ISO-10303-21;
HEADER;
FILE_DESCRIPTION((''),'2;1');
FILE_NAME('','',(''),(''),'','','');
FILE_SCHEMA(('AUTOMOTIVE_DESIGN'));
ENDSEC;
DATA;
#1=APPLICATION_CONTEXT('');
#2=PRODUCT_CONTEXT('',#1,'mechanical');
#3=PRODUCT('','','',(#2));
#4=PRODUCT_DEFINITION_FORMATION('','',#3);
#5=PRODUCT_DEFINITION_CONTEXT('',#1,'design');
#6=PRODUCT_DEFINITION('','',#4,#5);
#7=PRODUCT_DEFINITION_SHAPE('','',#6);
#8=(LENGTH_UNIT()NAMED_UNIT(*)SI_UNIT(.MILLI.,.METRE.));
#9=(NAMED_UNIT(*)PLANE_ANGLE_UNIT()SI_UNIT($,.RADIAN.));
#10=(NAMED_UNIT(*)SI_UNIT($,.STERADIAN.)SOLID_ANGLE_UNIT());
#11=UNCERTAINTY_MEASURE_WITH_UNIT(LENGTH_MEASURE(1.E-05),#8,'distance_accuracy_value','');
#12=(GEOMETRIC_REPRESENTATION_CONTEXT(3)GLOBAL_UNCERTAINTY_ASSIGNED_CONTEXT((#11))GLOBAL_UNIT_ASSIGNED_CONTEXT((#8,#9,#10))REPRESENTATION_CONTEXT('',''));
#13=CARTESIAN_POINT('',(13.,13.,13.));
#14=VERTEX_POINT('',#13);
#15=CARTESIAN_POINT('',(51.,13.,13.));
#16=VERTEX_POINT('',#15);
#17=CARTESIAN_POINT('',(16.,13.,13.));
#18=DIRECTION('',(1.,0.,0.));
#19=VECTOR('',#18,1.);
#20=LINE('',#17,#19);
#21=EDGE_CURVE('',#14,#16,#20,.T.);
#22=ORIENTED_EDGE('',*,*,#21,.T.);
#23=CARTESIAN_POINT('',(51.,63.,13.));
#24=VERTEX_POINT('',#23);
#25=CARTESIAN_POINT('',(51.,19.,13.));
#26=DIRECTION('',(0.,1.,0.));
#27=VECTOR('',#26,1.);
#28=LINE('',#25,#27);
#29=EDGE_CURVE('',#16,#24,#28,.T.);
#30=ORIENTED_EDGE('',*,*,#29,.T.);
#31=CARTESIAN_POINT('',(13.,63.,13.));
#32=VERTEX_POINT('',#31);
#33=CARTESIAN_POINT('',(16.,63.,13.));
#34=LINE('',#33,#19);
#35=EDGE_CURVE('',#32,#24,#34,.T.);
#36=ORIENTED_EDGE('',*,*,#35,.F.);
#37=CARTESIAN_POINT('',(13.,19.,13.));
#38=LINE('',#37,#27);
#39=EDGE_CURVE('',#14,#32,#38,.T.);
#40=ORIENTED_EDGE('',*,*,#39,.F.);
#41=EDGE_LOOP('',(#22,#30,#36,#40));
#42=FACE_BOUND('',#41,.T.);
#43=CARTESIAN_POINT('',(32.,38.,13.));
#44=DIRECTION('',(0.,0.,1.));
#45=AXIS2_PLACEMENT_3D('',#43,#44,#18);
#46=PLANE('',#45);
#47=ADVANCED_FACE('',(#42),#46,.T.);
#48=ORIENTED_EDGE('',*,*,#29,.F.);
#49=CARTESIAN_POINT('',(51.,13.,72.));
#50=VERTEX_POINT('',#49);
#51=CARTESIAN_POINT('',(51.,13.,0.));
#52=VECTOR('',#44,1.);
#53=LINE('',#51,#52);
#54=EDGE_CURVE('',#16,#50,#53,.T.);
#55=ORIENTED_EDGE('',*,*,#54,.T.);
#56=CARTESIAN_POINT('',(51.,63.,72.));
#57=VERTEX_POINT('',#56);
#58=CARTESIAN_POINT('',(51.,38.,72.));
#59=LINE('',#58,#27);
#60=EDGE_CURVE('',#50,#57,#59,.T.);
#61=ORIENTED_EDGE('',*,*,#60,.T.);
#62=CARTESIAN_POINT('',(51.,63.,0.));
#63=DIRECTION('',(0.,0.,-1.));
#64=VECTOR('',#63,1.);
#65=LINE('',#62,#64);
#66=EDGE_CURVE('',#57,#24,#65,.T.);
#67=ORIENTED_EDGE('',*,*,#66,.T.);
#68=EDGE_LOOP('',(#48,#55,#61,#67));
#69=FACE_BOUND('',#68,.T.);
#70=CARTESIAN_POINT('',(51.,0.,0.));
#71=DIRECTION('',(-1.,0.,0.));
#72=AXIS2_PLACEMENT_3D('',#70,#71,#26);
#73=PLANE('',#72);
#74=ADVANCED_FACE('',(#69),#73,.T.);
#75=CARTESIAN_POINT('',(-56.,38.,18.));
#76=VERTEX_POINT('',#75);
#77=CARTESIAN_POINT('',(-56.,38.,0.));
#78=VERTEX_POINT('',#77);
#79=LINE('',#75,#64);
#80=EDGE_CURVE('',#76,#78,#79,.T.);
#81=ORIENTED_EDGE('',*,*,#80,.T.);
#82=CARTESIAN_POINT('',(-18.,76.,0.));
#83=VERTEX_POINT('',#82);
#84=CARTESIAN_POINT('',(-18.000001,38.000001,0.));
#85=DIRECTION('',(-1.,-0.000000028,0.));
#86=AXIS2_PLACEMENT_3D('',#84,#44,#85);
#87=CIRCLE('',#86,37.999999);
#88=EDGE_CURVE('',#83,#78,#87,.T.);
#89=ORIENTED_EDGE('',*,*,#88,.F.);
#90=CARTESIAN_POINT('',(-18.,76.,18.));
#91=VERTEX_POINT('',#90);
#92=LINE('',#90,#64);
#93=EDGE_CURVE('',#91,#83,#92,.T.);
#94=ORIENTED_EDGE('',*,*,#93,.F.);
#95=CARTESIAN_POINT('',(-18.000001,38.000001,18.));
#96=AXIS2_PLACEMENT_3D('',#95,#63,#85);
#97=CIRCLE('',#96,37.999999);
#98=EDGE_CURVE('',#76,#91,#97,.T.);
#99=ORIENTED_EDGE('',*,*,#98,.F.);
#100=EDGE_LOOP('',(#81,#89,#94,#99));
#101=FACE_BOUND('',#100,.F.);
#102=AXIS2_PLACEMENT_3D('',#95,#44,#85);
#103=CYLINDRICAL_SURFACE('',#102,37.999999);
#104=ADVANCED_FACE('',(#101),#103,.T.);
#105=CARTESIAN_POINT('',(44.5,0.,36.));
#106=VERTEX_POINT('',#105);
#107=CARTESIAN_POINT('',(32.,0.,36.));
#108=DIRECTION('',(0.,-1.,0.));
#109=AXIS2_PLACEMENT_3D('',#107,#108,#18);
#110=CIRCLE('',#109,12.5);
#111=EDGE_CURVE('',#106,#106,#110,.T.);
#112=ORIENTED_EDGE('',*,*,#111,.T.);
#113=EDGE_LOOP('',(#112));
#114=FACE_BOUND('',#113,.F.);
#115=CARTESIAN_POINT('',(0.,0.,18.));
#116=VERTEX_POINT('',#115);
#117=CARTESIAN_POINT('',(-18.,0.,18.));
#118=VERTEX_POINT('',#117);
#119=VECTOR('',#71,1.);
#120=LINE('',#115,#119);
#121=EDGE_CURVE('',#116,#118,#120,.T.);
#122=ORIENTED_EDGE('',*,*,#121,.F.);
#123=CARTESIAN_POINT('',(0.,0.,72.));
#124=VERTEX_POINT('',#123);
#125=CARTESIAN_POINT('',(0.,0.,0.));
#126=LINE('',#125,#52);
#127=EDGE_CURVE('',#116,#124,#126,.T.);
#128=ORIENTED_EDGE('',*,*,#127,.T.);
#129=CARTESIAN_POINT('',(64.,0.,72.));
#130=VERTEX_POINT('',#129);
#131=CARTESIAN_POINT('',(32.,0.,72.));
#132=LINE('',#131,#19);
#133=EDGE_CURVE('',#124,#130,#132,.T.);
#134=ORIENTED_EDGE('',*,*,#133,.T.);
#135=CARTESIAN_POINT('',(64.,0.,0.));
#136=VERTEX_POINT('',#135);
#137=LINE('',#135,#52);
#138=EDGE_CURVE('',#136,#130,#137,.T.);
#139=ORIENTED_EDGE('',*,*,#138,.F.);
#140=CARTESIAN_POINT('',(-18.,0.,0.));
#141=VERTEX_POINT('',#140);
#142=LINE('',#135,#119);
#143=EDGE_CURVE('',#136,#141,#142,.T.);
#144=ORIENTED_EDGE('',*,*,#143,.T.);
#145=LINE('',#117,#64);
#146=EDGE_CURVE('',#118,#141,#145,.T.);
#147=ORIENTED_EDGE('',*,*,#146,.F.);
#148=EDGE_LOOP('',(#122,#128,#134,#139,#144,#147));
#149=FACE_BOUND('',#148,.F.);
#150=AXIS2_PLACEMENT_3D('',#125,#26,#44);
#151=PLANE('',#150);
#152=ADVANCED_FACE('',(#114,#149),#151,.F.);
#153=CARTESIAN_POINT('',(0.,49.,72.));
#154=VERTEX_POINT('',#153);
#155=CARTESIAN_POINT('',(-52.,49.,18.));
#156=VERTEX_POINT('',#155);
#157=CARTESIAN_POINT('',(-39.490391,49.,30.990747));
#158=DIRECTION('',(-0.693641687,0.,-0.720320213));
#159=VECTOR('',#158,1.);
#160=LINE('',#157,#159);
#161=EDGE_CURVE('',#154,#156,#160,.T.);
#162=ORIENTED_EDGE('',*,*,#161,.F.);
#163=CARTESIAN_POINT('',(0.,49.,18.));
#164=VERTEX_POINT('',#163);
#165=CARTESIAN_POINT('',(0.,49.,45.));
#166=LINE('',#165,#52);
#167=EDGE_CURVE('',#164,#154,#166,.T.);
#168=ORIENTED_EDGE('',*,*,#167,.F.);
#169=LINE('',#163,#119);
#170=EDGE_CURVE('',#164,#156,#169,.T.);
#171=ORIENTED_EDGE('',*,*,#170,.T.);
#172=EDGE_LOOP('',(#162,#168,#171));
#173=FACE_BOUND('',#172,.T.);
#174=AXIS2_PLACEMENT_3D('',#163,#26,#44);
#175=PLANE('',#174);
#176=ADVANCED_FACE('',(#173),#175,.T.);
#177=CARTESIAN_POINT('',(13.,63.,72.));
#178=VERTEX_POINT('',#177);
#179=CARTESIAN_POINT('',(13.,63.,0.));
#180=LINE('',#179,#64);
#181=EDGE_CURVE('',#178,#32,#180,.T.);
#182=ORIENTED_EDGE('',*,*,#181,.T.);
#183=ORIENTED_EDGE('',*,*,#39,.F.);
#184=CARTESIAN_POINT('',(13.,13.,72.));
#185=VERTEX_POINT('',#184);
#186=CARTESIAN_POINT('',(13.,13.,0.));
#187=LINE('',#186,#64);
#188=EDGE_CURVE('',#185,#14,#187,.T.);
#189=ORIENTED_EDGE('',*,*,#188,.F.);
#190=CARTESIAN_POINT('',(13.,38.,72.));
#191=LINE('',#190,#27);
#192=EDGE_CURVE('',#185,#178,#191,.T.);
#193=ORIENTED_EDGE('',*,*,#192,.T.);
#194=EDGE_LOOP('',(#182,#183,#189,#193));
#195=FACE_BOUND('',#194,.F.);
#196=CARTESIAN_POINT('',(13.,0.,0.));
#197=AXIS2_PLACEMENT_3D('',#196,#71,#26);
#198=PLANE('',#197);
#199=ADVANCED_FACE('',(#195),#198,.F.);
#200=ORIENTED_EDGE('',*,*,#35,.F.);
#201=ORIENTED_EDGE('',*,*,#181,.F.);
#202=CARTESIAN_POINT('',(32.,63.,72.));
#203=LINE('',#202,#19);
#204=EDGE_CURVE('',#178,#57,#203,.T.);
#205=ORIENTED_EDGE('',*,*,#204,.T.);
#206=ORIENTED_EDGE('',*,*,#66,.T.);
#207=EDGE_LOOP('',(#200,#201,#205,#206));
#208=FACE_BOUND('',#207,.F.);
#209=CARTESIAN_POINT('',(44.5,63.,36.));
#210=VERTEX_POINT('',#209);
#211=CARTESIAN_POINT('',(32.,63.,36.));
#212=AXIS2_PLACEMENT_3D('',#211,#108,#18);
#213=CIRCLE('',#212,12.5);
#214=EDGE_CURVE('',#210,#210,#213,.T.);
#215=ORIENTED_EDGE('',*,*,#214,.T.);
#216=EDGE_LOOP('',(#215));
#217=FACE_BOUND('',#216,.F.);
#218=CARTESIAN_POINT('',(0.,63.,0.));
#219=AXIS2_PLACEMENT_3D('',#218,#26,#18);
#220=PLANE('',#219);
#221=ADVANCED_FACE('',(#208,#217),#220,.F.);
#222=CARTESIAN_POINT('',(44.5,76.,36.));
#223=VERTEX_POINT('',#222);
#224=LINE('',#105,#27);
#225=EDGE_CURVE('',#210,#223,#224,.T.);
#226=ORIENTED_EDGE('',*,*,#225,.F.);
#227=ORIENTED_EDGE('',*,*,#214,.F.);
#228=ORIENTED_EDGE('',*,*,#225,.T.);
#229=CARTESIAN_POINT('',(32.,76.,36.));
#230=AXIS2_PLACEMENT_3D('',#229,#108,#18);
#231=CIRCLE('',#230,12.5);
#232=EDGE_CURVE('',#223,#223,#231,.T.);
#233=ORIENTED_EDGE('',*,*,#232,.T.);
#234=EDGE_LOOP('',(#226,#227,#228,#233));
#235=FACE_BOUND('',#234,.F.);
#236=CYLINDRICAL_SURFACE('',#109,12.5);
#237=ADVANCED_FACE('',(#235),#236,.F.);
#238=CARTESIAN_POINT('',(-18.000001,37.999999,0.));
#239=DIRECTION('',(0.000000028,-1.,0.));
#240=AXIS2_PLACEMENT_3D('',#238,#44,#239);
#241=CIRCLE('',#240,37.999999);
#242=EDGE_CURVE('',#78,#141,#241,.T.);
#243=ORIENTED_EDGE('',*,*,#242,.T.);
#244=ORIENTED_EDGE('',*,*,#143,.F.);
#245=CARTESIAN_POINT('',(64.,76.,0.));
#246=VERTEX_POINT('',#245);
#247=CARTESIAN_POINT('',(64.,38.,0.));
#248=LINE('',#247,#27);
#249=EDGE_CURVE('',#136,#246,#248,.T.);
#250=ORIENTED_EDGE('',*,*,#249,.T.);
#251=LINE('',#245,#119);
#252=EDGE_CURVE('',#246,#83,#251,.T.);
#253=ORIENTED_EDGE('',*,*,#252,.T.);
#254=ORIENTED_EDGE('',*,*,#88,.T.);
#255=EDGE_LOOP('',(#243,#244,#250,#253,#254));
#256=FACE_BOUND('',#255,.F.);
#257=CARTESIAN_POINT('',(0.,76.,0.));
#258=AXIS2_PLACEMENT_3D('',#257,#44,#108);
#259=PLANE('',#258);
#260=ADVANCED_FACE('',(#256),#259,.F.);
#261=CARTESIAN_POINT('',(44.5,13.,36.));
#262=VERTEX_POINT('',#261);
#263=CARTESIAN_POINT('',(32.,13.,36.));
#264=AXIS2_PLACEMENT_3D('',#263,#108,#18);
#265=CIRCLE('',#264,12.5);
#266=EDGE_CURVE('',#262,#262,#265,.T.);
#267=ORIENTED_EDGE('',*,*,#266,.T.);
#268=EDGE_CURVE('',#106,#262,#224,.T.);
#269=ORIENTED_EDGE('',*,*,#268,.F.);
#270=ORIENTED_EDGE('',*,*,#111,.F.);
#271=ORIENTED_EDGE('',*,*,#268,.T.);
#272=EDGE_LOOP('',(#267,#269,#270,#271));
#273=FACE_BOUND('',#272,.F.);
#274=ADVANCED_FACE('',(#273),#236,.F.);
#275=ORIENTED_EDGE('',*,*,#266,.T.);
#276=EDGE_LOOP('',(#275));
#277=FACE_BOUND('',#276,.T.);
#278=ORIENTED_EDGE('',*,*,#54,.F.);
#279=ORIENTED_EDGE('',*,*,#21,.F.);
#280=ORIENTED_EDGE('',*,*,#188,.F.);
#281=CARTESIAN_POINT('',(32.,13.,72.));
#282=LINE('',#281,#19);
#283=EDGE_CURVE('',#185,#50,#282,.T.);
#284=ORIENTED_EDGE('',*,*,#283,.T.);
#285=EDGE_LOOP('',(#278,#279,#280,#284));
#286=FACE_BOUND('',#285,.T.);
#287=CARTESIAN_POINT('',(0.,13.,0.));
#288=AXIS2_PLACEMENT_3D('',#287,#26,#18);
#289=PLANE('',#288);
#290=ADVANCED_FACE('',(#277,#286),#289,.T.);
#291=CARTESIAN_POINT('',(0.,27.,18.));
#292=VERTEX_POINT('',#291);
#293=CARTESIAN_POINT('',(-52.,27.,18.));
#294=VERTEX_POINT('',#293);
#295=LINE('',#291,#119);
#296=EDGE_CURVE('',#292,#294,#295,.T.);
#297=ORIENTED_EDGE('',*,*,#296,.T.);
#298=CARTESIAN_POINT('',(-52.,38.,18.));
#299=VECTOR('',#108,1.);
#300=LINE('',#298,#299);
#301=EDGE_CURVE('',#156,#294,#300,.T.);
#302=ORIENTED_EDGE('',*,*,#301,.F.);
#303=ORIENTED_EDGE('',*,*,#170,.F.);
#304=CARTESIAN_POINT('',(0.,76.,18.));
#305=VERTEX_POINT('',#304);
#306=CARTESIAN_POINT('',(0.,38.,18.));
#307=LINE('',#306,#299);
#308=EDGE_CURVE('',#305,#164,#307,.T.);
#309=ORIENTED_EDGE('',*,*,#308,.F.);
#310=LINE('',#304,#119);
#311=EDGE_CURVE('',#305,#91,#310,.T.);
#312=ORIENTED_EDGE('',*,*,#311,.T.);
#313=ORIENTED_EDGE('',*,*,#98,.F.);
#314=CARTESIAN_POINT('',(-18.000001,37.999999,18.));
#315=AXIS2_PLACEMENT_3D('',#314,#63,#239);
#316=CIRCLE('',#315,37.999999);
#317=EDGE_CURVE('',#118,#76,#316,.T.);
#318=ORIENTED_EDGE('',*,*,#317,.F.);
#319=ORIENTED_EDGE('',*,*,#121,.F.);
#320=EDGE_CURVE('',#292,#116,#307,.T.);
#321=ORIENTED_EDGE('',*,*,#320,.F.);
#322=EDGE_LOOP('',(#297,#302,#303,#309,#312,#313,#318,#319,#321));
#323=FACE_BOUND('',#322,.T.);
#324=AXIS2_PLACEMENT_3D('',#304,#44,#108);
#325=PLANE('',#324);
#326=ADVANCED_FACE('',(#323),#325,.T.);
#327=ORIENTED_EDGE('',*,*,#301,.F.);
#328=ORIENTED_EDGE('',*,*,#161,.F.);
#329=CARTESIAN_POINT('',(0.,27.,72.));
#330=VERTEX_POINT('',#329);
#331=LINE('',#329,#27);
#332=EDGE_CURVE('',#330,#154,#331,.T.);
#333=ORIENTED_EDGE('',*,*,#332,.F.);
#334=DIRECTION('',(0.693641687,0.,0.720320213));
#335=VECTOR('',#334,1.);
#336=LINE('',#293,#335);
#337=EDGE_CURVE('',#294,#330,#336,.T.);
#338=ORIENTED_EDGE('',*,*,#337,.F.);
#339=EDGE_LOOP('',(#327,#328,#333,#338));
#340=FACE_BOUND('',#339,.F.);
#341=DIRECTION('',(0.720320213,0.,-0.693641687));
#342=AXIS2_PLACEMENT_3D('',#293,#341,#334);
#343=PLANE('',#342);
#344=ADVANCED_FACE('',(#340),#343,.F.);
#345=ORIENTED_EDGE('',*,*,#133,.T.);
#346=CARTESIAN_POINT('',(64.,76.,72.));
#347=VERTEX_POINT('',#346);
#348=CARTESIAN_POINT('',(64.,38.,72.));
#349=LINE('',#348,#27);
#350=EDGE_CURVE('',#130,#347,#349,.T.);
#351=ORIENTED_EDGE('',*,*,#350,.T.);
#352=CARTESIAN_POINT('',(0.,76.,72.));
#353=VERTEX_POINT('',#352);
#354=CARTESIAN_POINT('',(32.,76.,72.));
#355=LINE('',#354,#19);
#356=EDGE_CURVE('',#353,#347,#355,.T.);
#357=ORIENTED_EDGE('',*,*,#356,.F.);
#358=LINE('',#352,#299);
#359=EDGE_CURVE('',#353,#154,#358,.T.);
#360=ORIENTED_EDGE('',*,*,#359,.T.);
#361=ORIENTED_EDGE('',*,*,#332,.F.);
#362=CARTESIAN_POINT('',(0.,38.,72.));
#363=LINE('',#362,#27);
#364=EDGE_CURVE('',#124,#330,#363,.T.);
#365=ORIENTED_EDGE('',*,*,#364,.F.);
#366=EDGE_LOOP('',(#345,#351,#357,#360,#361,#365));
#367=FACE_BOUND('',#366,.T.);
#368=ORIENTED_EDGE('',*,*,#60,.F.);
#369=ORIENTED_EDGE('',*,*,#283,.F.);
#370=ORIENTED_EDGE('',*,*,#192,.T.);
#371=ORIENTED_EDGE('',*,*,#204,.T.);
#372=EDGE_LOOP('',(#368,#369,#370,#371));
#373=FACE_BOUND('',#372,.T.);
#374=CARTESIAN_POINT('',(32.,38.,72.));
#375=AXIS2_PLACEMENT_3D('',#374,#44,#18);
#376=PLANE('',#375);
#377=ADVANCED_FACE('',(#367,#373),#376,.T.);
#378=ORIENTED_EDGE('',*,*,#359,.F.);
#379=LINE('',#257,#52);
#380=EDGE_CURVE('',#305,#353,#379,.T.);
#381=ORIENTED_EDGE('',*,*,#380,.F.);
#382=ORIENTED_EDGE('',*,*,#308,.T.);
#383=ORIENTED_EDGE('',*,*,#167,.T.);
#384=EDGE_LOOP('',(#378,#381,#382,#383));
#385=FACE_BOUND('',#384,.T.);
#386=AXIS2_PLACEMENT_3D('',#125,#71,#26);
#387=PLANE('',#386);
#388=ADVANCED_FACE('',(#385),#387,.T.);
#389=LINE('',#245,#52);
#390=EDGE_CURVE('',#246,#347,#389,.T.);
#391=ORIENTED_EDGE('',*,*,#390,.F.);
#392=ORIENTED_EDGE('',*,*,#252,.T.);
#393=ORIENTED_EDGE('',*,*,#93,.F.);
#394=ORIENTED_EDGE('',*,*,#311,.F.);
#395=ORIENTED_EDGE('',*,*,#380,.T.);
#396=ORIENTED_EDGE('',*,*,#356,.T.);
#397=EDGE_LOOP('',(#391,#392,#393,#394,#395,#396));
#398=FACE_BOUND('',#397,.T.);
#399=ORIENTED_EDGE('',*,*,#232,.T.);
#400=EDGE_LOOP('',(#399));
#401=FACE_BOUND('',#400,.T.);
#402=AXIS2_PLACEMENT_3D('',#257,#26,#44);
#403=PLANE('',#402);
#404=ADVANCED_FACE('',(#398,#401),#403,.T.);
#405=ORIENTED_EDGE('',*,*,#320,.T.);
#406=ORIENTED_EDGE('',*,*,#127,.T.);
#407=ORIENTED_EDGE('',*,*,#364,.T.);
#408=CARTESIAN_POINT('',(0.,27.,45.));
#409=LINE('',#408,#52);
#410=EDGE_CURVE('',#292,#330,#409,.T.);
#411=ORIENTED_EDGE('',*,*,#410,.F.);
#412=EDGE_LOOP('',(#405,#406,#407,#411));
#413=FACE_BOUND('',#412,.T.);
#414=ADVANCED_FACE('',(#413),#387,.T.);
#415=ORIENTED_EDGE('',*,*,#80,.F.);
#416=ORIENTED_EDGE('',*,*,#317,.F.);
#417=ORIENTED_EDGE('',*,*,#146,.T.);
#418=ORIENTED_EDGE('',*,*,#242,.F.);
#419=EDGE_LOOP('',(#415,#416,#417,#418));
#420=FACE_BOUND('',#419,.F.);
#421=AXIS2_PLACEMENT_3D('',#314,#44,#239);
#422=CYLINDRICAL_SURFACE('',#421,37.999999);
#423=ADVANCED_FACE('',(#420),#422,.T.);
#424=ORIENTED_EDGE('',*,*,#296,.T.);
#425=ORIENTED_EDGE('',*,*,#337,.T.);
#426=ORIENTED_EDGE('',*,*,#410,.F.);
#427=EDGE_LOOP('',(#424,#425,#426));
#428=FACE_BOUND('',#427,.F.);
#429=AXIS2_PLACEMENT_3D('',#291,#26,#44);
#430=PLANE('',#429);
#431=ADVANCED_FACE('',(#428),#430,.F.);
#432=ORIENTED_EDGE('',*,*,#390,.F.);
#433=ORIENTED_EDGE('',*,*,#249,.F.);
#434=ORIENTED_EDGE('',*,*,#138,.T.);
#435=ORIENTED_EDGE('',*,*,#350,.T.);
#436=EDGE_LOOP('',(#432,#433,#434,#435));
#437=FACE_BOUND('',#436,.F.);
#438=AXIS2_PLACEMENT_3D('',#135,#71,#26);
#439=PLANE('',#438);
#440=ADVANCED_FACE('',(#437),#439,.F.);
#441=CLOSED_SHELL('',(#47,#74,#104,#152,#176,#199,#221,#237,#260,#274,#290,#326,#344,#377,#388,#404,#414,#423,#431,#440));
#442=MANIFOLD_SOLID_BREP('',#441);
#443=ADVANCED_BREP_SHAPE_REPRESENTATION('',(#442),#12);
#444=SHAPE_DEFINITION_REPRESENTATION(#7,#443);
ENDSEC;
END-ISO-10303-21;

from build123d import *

# Parameters (mm, degrees)
F0_W      = 64
F0_H      = 76
F1_DEPTH  = 72
F2_T      = -13
F3_R      = 12.5
F4_DEPTH  = 100
F5_W      = 76
F5_H      = 18
F6_DEPTH  = 56
F8_DEPTH  = 25
F9_W      = 22
F9_H      = 54
F10_DEPTH = 52
F12_DEPTH = 25


with BuildPart() as f1:
    # F0 (on Top) → F1 (new body)
    with BuildSketch(Plane.XY):
        with Locations((32, 38)):
            Rectangle(F0_W, F0_H)
    extrude(amount=F1_DEPTH)

    # F2
    f2_openings = [f1.faces().sort_by_distance(p)[0] for p in [
        (32, 38, 72),
    ]]
    offset(amount=F2_T, openings=f2_openings)

    # F3 (on face) → F4 (cut)
    with BuildSketch(Plane.XZ):
        with Locations((32, 36)):
            Circle(F3_R)
    extrude(amount=-F4_DEPTH, mode=Mode.SUBTRACT)

    # F5 (on face) → F6 (join)
    with BuildSketch(Plane(origin=(0, 0, 0), x_dir=(0, -1, 0), z_dir=(-1, 0, 0))):
        with Locations((-38, 9)):
            Rectangle(F5_W, F5_H)
    extrude(amount=F6_DEPTH)

    # F7 (on face) → F8 (cut)
    with BuildSketch(Plane.XY.offset(18)):
        with BuildLine():
            ThreePointArc((-56, 38), (-44.870058, 64.870058), (-18, 76))
            Line((-18, 76), (-56, 76))
            Line((-56, 76), (-56, 38))
        make_face()
        with BuildLine():
            ThreePointArc((-18, 0), (-44.870058, 11.129942), (-56, 38))
            Line((-56, 38), (-56, 0))
            Line((-56, 0), (-18, 0))
        make_face()
    extrude(amount=-F8_DEPTH, mode=Mode.SUBTRACT)

    # F9 (on face) → F10 (join)
    with BuildSketch(Plane(origin=(0, 0, 0), x_dir=(0, -1, 0), z_dir=(-1, 0, 0))):
        with Locations((-38, 45)):
            Rectangle(F9_W, F9_H)
    extrude(amount=F10_DEPTH)

    # F11 (on face) → F12 (cut)
    with BuildSketch(Plane.XZ.offset(-27)):
        Polygon((-52, 18), (0, 72), (-52, 72), align=None)
    extrude(amount=-F12_DEPTH, mode=Mode.SUBTRACT)


solid = f1.part
